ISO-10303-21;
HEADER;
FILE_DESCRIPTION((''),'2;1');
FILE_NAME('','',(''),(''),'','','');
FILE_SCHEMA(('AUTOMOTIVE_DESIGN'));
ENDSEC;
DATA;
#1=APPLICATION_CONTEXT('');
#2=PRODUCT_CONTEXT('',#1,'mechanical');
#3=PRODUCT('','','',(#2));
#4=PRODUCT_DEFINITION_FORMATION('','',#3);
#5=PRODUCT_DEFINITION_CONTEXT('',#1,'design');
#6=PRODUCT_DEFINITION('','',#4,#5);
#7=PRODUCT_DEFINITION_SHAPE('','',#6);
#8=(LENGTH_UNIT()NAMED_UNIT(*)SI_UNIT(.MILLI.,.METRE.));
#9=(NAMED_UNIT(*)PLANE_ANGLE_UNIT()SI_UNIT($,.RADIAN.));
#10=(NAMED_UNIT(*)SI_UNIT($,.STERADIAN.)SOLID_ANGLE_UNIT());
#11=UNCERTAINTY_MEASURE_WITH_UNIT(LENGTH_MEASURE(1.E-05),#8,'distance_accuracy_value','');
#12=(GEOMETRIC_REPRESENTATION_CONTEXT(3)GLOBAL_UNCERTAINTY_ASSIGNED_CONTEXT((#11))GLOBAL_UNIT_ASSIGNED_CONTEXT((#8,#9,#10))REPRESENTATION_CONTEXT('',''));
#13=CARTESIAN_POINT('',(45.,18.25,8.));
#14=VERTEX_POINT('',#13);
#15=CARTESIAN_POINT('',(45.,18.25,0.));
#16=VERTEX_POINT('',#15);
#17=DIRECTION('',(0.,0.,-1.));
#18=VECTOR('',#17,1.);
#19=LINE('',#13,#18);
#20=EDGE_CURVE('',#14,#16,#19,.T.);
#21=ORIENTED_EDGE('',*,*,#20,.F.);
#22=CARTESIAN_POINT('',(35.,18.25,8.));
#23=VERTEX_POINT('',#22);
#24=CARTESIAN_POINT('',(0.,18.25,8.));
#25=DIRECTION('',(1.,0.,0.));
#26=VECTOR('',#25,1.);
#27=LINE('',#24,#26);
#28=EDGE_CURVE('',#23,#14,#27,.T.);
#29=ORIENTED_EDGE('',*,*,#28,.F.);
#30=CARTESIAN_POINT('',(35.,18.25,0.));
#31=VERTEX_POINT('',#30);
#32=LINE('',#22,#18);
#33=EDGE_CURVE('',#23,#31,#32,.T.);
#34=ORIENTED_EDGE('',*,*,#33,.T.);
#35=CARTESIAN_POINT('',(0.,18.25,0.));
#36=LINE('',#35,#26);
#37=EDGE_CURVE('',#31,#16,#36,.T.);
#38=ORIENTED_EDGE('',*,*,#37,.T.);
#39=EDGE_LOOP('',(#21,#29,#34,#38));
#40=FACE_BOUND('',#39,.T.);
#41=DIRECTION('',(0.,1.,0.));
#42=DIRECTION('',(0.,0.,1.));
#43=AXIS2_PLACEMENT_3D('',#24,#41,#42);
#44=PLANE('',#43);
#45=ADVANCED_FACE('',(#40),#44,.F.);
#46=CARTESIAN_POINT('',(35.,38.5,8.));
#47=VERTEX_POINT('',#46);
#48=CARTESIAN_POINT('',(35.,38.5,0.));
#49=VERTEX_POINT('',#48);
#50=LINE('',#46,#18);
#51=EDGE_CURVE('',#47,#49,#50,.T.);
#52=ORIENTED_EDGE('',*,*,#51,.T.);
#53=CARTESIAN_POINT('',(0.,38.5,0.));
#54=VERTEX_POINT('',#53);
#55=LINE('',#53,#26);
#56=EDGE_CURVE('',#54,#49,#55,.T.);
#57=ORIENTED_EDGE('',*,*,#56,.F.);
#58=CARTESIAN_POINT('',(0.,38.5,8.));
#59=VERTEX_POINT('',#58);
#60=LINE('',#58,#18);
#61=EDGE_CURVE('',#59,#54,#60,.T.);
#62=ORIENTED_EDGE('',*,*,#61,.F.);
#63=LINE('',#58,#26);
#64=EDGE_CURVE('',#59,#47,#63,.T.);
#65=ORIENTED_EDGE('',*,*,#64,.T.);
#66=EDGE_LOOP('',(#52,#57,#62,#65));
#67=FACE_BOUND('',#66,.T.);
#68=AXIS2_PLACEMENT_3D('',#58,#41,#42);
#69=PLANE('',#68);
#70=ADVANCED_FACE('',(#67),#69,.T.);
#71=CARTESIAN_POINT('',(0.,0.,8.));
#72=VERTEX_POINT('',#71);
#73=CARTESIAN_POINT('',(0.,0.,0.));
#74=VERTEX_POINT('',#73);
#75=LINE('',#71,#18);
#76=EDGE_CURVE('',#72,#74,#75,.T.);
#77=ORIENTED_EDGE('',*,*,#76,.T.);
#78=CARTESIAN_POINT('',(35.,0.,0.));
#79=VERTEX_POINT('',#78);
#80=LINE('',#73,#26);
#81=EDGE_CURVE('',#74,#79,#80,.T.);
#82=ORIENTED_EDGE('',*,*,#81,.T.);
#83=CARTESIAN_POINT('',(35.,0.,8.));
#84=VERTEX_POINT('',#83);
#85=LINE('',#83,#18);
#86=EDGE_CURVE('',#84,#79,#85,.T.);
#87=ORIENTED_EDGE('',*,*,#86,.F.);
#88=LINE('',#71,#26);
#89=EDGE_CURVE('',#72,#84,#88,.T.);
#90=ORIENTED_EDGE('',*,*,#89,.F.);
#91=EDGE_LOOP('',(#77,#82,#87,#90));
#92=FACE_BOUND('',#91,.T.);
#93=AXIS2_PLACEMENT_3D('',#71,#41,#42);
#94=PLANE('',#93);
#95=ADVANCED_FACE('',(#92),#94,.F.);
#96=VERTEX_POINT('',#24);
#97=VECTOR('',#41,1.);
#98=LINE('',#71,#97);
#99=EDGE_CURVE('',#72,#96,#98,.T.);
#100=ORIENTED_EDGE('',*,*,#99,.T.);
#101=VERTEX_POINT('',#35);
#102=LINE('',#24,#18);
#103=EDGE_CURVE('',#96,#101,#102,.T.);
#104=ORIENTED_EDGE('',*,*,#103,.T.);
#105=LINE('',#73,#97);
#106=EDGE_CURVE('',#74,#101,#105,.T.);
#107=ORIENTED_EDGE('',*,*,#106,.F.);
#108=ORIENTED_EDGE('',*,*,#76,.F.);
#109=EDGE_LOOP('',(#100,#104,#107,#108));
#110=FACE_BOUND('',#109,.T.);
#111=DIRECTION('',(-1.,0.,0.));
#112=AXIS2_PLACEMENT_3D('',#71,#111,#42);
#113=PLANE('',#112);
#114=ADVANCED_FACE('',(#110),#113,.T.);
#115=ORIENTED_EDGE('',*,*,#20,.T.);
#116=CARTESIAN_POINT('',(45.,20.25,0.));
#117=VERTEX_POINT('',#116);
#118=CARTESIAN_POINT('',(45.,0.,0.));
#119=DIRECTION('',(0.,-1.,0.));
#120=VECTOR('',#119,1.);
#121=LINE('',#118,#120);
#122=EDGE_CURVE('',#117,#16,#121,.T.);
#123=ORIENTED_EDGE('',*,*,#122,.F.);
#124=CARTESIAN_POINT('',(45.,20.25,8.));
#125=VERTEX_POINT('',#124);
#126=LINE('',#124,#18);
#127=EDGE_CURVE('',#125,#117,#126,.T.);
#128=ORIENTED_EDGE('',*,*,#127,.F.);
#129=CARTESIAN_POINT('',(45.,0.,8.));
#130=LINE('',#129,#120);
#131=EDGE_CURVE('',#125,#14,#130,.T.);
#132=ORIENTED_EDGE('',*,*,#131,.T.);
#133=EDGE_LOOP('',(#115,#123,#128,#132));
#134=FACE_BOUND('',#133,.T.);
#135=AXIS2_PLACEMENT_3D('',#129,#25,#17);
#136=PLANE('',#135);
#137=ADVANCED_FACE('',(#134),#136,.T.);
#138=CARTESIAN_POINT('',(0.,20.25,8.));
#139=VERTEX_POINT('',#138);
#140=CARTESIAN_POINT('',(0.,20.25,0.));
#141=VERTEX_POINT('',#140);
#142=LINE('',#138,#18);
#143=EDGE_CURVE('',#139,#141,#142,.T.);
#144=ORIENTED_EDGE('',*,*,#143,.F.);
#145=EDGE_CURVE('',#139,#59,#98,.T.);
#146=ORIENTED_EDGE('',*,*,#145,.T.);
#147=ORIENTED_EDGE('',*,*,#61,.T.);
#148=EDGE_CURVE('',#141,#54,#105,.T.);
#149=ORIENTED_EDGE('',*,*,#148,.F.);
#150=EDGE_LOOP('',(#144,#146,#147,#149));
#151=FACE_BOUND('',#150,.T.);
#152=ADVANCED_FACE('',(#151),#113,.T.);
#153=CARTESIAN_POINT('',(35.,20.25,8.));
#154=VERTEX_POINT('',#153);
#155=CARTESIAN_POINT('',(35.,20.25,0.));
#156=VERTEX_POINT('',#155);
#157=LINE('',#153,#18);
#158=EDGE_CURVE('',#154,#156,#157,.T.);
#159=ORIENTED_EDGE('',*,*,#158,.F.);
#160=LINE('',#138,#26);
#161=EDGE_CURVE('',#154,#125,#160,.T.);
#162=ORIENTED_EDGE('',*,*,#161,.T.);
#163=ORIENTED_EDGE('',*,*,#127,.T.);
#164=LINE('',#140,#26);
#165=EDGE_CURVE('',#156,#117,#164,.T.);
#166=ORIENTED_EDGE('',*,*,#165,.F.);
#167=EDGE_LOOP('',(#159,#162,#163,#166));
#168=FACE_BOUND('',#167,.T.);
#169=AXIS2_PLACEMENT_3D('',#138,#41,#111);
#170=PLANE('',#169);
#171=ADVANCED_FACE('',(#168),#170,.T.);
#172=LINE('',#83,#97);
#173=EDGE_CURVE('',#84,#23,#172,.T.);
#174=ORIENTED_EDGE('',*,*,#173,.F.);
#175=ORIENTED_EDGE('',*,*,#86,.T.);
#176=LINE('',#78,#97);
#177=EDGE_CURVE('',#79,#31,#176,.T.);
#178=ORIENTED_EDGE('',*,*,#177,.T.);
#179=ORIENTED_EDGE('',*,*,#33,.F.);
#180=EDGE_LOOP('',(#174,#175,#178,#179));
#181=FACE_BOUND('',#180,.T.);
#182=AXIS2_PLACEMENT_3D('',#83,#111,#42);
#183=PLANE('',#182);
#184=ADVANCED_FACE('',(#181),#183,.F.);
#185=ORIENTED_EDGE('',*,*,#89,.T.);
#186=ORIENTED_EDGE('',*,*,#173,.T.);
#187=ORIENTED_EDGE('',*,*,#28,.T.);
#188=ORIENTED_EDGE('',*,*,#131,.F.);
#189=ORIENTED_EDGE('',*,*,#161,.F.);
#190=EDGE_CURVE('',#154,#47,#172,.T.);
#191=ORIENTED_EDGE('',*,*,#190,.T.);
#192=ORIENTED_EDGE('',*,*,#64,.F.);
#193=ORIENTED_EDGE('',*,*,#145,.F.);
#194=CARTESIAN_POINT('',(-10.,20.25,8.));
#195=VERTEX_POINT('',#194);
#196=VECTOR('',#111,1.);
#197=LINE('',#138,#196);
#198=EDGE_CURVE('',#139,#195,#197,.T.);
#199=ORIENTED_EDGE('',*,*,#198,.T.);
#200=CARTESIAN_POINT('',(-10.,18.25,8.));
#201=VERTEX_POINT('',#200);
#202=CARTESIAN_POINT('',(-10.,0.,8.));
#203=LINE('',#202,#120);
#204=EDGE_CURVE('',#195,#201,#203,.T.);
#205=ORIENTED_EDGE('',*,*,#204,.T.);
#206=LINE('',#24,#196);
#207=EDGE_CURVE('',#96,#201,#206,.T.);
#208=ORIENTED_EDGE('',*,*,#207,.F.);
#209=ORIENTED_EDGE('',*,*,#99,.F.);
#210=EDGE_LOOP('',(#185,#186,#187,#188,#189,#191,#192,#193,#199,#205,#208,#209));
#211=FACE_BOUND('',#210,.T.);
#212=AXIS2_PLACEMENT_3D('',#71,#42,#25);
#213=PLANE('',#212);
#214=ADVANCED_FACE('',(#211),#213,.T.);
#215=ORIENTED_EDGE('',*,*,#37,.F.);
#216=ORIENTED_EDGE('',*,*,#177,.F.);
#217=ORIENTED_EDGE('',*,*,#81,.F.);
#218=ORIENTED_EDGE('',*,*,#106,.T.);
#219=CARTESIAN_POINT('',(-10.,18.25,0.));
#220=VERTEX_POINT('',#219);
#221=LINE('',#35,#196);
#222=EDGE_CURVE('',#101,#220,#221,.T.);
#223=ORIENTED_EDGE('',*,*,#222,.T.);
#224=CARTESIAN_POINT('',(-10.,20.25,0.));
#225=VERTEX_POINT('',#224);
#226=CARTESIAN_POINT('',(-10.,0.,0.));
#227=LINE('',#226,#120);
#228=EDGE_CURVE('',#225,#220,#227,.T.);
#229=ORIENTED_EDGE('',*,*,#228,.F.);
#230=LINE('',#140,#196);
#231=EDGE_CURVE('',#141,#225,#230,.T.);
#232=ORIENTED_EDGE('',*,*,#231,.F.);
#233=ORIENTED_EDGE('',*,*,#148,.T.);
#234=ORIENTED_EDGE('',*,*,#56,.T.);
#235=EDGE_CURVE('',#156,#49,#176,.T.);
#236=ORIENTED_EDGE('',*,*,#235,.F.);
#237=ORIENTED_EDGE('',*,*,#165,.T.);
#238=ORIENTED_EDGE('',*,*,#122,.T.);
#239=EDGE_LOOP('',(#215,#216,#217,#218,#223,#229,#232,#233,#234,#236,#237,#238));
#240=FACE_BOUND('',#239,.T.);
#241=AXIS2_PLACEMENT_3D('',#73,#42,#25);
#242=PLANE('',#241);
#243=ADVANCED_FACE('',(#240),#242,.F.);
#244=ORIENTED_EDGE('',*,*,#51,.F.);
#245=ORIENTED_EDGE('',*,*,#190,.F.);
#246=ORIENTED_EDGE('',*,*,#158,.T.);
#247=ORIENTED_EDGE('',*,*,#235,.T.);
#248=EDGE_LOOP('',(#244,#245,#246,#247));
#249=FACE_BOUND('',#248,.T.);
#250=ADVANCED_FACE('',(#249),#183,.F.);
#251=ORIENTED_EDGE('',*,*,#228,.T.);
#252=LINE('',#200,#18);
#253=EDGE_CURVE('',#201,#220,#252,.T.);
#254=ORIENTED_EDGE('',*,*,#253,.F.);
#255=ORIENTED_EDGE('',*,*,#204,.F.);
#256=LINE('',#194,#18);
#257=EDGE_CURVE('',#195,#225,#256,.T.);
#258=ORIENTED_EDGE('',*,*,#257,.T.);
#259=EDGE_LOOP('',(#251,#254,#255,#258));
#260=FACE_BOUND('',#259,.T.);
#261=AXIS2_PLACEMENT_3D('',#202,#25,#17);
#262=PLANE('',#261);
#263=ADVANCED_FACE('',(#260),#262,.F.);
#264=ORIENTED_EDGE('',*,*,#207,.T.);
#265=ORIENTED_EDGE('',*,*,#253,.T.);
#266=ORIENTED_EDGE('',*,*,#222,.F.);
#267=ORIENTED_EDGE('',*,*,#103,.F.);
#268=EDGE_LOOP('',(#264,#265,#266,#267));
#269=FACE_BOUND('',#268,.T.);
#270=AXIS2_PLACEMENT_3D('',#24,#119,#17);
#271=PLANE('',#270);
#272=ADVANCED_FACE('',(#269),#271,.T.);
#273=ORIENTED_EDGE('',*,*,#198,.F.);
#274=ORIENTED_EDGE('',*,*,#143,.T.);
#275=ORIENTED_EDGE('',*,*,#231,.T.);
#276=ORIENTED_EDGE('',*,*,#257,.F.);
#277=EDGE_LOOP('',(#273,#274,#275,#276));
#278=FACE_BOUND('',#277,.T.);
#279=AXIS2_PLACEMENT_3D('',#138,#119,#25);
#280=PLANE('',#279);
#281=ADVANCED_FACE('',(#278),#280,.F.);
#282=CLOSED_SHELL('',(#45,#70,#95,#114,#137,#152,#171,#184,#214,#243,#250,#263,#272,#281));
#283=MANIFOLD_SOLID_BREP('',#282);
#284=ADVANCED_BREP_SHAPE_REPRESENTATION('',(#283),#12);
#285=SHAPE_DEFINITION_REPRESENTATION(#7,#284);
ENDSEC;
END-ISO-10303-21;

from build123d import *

# Parameters (mm, degrees)
SKETCH1_W           = 10
SKETCH1_H           = 2
SKETCH1_W_2         = 35
SKETCH1_H_2         = 38.5
BOSS_EXTRUDE1_DEPTH = 8


with BuildPart() as part:
    # Sketch1 → Boss-Extrude1 (new body)
    with BuildSketch(Plane.XY):
        with Locations((-5, 19.25)):
            Rectangle(SKETCH1_W, SKETCH1_H)
        with Locations((17.5, 19.25)):
            Rectangle(SKETCH1_W_2, SKETCH1_H_2)
        with Locations((40, 19.25)):
            Rectangle(SKETCH1_W, SKETCH1_H)
    extrude(amount=BOSS_EXTRUDE1_DEPTH)


solid = part.part
